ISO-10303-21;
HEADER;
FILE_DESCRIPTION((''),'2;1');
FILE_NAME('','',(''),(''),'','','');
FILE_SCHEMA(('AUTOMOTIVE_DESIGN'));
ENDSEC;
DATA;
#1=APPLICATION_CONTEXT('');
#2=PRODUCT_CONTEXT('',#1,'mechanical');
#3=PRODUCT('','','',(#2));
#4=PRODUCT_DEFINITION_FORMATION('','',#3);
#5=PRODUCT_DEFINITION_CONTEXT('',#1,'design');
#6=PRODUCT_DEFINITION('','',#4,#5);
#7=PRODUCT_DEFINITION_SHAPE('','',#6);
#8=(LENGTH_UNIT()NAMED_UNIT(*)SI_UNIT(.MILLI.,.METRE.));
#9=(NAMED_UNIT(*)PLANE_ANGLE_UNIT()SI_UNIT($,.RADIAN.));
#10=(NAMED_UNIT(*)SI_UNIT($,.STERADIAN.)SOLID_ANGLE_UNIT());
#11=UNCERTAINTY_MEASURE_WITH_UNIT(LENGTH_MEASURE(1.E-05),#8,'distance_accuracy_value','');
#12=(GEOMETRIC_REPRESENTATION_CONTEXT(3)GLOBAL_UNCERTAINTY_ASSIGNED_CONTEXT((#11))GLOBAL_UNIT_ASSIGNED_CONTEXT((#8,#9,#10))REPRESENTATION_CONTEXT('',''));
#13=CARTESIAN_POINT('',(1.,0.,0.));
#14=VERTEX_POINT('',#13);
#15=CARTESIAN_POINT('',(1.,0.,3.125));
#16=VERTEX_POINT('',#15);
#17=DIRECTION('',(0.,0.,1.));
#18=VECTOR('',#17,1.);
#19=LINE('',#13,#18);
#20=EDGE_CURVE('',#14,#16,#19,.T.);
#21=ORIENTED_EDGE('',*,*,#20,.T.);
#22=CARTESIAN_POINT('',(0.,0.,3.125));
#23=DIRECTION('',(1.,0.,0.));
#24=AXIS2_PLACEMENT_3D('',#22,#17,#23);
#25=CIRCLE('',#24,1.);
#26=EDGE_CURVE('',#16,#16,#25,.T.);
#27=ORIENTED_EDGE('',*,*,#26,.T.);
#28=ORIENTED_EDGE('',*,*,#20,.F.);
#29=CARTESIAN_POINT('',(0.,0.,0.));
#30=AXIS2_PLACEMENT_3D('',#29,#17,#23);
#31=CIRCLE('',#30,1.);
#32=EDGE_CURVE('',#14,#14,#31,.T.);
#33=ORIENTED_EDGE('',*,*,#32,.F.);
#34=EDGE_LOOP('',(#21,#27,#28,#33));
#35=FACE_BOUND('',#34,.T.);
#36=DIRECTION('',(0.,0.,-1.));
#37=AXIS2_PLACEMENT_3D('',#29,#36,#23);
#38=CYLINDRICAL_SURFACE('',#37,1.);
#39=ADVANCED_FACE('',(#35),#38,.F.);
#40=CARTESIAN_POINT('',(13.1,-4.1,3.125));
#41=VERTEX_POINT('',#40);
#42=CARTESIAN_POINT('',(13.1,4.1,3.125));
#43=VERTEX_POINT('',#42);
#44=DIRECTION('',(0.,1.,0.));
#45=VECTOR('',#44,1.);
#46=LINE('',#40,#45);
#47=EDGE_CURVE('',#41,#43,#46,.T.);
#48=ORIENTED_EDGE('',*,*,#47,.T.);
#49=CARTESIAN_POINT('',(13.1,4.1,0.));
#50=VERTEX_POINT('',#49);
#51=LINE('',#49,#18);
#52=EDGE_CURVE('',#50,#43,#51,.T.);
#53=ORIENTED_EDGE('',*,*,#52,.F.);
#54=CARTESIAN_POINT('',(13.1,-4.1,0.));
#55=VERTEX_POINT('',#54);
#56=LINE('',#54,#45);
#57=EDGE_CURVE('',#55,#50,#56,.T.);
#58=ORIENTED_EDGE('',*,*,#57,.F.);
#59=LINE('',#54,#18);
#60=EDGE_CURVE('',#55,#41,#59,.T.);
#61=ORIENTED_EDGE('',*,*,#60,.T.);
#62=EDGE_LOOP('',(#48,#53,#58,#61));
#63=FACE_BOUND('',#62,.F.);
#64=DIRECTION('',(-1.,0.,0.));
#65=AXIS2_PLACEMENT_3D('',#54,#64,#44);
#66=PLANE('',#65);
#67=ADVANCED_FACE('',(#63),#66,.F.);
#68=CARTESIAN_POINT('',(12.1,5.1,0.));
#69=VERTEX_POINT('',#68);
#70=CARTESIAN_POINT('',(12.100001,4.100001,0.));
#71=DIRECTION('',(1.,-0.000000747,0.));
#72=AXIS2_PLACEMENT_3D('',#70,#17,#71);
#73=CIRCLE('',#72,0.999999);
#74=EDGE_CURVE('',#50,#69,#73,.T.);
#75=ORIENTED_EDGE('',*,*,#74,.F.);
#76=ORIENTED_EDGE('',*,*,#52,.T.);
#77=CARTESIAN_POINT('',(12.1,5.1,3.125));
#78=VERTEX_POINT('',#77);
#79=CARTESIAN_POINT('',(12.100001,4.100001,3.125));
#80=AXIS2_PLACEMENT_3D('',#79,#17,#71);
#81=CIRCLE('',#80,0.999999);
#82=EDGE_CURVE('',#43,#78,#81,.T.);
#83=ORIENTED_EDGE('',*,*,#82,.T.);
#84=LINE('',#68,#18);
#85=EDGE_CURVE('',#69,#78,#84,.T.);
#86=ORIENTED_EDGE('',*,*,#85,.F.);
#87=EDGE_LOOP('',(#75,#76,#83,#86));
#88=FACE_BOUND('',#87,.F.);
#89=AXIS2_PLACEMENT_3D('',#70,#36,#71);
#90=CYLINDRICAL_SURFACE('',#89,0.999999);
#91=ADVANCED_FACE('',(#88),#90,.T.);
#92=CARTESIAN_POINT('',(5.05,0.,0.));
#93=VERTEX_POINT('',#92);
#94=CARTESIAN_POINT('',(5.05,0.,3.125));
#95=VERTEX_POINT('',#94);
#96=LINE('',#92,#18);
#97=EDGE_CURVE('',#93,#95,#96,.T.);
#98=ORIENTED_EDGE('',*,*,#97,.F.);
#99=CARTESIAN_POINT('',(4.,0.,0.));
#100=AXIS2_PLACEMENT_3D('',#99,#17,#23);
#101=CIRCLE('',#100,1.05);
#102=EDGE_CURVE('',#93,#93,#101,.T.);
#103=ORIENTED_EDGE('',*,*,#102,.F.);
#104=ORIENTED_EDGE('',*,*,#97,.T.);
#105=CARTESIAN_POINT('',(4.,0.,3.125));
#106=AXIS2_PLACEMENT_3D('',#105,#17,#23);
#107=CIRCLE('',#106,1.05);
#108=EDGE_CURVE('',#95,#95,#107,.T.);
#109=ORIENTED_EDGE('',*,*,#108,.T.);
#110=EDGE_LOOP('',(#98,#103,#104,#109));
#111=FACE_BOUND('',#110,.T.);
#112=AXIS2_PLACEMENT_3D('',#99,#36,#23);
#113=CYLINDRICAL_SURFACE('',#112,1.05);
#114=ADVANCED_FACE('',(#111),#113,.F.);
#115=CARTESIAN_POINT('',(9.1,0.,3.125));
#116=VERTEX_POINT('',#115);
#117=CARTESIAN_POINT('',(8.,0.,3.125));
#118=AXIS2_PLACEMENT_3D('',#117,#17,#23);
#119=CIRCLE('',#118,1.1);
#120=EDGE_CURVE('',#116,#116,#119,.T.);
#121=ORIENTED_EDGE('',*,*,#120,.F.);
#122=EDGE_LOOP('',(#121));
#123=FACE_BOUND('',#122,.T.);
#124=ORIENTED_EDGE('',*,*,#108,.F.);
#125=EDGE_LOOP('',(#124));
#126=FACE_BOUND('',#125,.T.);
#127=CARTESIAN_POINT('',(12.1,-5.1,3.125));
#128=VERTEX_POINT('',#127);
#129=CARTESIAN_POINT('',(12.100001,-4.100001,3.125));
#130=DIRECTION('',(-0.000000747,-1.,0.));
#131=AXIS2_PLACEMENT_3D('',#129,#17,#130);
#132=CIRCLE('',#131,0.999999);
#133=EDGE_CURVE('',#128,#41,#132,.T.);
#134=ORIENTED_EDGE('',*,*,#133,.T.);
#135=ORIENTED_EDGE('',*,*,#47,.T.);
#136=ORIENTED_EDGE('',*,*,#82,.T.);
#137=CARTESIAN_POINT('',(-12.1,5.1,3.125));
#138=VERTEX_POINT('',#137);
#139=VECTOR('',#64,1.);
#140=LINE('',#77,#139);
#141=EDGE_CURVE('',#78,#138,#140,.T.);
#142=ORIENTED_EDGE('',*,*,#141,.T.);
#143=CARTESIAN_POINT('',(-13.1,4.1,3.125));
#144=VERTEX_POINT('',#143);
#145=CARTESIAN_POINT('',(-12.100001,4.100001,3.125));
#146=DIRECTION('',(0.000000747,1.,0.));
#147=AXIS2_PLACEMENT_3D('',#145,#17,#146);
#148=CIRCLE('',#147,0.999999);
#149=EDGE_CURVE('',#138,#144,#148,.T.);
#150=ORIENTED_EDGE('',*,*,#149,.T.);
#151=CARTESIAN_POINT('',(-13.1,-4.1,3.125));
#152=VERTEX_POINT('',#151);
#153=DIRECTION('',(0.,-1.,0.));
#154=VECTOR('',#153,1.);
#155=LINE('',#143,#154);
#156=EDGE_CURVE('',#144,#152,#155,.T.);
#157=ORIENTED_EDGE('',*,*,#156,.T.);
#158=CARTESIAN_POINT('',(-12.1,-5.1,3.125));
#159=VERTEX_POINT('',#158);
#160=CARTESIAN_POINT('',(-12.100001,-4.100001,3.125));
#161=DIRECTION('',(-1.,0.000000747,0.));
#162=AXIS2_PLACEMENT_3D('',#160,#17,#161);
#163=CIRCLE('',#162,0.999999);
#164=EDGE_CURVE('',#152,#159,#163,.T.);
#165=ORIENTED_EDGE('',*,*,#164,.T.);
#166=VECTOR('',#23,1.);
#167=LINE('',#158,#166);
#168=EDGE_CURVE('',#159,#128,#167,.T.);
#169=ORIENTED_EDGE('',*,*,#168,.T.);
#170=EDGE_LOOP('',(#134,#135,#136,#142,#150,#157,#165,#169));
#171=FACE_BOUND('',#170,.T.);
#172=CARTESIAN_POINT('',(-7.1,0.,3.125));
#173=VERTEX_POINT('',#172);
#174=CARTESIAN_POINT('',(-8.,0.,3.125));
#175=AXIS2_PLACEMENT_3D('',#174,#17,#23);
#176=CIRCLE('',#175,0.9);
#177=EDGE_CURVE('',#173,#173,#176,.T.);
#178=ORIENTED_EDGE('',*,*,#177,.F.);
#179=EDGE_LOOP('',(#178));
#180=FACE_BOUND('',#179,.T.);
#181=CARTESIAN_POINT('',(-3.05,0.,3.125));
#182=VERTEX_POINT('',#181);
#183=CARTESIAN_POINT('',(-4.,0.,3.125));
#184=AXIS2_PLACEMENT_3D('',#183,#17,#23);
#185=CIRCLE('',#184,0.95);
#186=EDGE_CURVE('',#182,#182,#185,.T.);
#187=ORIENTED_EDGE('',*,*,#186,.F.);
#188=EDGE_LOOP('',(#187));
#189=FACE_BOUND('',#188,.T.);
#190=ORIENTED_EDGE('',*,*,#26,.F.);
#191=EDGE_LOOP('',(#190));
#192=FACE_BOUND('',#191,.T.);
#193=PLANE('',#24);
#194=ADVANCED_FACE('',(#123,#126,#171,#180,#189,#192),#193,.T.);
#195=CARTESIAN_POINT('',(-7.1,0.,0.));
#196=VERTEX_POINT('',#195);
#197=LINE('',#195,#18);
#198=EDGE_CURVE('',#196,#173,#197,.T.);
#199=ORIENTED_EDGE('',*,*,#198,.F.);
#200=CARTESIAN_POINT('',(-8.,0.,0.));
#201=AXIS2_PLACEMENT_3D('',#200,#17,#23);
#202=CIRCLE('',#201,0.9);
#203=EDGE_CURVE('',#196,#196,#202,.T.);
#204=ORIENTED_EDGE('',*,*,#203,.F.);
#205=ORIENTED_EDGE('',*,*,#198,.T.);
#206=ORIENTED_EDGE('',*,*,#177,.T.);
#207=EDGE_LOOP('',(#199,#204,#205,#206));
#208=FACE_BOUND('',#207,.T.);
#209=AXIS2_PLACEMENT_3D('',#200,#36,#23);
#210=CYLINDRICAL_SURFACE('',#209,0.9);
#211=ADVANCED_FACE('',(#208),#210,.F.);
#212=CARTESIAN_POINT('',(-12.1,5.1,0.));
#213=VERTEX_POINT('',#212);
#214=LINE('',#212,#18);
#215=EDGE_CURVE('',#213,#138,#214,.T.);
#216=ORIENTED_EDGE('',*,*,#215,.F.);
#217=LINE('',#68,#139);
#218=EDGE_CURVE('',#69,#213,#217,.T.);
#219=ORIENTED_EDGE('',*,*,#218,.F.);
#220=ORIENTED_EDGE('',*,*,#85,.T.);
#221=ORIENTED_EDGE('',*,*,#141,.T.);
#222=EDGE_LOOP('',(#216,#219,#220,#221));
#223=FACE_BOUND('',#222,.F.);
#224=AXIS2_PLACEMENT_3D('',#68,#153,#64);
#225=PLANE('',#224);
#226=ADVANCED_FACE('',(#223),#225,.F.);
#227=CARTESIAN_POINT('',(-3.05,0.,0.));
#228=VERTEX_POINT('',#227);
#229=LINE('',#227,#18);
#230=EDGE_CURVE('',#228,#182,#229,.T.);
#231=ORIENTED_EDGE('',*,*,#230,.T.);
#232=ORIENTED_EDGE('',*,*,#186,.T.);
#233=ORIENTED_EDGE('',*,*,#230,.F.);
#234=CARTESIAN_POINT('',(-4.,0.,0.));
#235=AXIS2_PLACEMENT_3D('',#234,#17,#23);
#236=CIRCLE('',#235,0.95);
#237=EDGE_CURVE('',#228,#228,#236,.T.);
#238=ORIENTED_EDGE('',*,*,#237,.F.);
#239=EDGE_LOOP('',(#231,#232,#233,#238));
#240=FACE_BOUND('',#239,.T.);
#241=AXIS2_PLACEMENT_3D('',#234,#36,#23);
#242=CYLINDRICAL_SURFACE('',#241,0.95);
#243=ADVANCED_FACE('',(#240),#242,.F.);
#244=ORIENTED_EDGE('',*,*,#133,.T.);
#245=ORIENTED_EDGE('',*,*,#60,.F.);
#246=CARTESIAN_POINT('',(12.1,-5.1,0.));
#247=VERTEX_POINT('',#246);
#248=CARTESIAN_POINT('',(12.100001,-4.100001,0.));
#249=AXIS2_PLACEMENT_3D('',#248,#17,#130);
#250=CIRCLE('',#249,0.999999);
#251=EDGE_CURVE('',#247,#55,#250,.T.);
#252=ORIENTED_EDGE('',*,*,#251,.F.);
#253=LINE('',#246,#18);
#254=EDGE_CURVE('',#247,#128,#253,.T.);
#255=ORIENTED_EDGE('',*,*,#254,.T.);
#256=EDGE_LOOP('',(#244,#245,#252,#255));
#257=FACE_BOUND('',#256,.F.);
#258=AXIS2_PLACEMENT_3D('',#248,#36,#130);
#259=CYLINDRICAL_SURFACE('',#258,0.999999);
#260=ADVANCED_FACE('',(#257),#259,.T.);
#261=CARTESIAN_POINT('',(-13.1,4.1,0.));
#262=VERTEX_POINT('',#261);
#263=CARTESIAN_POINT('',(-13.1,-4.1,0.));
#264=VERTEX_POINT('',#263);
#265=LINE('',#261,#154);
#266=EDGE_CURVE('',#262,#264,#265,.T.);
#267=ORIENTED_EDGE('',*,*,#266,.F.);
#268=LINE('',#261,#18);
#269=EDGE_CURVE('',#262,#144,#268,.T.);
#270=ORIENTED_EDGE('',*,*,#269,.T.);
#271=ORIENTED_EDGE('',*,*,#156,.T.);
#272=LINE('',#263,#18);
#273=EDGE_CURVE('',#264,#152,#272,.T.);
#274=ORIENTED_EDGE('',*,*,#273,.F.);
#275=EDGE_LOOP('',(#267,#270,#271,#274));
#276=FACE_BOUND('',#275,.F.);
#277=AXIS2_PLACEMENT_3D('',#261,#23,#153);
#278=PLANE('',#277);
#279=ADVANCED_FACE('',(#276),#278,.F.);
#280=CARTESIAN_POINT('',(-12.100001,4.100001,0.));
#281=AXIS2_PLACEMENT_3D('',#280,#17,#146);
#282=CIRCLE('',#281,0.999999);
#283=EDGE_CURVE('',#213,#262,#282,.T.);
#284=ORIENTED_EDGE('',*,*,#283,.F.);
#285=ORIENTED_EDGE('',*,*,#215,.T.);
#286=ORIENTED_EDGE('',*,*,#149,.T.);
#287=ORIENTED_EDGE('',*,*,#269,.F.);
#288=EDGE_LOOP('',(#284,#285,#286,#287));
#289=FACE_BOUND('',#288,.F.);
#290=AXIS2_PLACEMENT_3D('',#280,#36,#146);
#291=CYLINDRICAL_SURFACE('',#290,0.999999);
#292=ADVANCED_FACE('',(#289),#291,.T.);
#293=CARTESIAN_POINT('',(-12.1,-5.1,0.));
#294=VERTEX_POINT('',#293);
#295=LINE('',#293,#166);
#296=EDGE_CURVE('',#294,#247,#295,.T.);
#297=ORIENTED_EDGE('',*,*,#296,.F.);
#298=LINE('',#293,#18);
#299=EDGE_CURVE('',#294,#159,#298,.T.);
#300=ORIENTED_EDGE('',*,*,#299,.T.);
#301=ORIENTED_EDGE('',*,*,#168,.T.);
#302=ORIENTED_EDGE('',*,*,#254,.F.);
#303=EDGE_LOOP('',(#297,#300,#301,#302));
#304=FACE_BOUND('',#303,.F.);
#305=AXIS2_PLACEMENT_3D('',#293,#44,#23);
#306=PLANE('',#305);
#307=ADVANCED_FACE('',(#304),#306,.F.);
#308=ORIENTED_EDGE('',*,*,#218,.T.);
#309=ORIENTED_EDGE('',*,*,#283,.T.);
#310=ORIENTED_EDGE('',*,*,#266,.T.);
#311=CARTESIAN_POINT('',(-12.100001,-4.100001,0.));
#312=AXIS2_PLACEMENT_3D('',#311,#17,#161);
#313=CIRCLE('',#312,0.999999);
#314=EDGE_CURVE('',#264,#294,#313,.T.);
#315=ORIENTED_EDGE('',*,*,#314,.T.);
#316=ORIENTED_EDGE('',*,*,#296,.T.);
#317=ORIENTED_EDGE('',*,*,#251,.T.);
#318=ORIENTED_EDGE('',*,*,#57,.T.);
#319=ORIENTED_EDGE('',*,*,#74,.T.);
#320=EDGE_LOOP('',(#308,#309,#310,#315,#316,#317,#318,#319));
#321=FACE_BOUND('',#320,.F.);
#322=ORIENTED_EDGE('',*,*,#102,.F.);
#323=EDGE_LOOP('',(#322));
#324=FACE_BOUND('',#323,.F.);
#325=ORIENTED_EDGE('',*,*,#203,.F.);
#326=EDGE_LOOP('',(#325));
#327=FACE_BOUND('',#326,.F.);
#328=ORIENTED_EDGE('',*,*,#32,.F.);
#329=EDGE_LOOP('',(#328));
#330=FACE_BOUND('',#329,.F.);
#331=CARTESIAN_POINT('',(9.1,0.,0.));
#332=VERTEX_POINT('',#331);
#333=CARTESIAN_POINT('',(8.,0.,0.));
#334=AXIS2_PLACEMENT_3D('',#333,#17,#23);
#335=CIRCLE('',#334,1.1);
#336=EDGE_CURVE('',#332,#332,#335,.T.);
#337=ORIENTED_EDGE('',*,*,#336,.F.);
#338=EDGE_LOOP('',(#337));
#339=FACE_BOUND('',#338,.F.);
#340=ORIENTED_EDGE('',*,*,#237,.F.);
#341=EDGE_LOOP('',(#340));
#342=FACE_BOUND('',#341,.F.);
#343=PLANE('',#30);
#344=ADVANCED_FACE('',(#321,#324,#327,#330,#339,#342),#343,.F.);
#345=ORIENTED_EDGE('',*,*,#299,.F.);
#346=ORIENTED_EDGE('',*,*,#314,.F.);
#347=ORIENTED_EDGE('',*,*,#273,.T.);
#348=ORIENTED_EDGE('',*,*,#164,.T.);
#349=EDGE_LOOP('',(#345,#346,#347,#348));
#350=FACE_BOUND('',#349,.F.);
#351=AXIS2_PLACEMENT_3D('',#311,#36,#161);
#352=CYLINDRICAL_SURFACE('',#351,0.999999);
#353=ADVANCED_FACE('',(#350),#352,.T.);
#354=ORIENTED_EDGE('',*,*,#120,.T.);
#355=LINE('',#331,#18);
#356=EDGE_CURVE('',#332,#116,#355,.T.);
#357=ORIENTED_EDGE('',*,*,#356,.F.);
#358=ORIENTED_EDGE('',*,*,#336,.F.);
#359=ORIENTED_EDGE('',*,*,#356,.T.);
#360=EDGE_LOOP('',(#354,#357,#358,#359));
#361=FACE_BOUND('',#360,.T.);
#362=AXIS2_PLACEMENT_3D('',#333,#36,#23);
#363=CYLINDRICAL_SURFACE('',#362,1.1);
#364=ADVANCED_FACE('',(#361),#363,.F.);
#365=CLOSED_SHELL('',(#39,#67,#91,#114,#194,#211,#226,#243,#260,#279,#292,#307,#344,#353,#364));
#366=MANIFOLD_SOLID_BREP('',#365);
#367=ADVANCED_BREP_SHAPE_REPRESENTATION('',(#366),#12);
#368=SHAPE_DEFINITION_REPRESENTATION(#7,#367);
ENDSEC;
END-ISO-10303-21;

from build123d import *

# Parameters (mm, degrees)
F0_R     = 0.9
F0_R_2   = 0.95
F0_R_3   = 1
F0_R_4   = 1.05
F0_R_5   = 1.1
F1_DEPTH = 3.125


with BuildPart() as f1:
    # F0 (on Top) → F1 (new body)
    with BuildSketch(Plane.XY):
        with BuildLine():
            Line((-12.1, -5.1), (12.1, -5.1))
            ThreePointArc((12.1, -5.1), (12.807107, -4.807107), (13.1, -4.1))
            Line((13.1, -4.1), (13.1, 4.1))
            ThreePointArc((13.1, 4.1), (12.807107, 4.807107), (12.1, 5.1))
            Line((12.1, 5.1), (-12.1, 5.1))
            ThreePointArc((-12.1, 5.1), (-12.807107, 4.807107), (-13.1, 4.1))
            Line((-13.1, 4.1), (-13.1, -4.1))
            ThreePointArc((-13.1, -4.1), (-12.807107, -4.807107), (-12.1, -5.1))
        make_face()
        with Locations((-8, 0)):
            Circle(F0_R, mode=Mode.SUBTRACT)
        with Locations((-4, 0)):
            Circle(F0_R_2, mode=Mode.SUBTRACT)
        Circle(F0_R_3, mode=Mode.SUBTRACT)
        with Locations((4, 0)):
            Circle(F0_R_4, mode=Mode.SUBTRACT)
        with Locations((8, 0)):
            Circle(F0_R_5, mode=Mode.SUBTRACT)
    extrude(amount=F1_DEPTH)


solid = f1.part
